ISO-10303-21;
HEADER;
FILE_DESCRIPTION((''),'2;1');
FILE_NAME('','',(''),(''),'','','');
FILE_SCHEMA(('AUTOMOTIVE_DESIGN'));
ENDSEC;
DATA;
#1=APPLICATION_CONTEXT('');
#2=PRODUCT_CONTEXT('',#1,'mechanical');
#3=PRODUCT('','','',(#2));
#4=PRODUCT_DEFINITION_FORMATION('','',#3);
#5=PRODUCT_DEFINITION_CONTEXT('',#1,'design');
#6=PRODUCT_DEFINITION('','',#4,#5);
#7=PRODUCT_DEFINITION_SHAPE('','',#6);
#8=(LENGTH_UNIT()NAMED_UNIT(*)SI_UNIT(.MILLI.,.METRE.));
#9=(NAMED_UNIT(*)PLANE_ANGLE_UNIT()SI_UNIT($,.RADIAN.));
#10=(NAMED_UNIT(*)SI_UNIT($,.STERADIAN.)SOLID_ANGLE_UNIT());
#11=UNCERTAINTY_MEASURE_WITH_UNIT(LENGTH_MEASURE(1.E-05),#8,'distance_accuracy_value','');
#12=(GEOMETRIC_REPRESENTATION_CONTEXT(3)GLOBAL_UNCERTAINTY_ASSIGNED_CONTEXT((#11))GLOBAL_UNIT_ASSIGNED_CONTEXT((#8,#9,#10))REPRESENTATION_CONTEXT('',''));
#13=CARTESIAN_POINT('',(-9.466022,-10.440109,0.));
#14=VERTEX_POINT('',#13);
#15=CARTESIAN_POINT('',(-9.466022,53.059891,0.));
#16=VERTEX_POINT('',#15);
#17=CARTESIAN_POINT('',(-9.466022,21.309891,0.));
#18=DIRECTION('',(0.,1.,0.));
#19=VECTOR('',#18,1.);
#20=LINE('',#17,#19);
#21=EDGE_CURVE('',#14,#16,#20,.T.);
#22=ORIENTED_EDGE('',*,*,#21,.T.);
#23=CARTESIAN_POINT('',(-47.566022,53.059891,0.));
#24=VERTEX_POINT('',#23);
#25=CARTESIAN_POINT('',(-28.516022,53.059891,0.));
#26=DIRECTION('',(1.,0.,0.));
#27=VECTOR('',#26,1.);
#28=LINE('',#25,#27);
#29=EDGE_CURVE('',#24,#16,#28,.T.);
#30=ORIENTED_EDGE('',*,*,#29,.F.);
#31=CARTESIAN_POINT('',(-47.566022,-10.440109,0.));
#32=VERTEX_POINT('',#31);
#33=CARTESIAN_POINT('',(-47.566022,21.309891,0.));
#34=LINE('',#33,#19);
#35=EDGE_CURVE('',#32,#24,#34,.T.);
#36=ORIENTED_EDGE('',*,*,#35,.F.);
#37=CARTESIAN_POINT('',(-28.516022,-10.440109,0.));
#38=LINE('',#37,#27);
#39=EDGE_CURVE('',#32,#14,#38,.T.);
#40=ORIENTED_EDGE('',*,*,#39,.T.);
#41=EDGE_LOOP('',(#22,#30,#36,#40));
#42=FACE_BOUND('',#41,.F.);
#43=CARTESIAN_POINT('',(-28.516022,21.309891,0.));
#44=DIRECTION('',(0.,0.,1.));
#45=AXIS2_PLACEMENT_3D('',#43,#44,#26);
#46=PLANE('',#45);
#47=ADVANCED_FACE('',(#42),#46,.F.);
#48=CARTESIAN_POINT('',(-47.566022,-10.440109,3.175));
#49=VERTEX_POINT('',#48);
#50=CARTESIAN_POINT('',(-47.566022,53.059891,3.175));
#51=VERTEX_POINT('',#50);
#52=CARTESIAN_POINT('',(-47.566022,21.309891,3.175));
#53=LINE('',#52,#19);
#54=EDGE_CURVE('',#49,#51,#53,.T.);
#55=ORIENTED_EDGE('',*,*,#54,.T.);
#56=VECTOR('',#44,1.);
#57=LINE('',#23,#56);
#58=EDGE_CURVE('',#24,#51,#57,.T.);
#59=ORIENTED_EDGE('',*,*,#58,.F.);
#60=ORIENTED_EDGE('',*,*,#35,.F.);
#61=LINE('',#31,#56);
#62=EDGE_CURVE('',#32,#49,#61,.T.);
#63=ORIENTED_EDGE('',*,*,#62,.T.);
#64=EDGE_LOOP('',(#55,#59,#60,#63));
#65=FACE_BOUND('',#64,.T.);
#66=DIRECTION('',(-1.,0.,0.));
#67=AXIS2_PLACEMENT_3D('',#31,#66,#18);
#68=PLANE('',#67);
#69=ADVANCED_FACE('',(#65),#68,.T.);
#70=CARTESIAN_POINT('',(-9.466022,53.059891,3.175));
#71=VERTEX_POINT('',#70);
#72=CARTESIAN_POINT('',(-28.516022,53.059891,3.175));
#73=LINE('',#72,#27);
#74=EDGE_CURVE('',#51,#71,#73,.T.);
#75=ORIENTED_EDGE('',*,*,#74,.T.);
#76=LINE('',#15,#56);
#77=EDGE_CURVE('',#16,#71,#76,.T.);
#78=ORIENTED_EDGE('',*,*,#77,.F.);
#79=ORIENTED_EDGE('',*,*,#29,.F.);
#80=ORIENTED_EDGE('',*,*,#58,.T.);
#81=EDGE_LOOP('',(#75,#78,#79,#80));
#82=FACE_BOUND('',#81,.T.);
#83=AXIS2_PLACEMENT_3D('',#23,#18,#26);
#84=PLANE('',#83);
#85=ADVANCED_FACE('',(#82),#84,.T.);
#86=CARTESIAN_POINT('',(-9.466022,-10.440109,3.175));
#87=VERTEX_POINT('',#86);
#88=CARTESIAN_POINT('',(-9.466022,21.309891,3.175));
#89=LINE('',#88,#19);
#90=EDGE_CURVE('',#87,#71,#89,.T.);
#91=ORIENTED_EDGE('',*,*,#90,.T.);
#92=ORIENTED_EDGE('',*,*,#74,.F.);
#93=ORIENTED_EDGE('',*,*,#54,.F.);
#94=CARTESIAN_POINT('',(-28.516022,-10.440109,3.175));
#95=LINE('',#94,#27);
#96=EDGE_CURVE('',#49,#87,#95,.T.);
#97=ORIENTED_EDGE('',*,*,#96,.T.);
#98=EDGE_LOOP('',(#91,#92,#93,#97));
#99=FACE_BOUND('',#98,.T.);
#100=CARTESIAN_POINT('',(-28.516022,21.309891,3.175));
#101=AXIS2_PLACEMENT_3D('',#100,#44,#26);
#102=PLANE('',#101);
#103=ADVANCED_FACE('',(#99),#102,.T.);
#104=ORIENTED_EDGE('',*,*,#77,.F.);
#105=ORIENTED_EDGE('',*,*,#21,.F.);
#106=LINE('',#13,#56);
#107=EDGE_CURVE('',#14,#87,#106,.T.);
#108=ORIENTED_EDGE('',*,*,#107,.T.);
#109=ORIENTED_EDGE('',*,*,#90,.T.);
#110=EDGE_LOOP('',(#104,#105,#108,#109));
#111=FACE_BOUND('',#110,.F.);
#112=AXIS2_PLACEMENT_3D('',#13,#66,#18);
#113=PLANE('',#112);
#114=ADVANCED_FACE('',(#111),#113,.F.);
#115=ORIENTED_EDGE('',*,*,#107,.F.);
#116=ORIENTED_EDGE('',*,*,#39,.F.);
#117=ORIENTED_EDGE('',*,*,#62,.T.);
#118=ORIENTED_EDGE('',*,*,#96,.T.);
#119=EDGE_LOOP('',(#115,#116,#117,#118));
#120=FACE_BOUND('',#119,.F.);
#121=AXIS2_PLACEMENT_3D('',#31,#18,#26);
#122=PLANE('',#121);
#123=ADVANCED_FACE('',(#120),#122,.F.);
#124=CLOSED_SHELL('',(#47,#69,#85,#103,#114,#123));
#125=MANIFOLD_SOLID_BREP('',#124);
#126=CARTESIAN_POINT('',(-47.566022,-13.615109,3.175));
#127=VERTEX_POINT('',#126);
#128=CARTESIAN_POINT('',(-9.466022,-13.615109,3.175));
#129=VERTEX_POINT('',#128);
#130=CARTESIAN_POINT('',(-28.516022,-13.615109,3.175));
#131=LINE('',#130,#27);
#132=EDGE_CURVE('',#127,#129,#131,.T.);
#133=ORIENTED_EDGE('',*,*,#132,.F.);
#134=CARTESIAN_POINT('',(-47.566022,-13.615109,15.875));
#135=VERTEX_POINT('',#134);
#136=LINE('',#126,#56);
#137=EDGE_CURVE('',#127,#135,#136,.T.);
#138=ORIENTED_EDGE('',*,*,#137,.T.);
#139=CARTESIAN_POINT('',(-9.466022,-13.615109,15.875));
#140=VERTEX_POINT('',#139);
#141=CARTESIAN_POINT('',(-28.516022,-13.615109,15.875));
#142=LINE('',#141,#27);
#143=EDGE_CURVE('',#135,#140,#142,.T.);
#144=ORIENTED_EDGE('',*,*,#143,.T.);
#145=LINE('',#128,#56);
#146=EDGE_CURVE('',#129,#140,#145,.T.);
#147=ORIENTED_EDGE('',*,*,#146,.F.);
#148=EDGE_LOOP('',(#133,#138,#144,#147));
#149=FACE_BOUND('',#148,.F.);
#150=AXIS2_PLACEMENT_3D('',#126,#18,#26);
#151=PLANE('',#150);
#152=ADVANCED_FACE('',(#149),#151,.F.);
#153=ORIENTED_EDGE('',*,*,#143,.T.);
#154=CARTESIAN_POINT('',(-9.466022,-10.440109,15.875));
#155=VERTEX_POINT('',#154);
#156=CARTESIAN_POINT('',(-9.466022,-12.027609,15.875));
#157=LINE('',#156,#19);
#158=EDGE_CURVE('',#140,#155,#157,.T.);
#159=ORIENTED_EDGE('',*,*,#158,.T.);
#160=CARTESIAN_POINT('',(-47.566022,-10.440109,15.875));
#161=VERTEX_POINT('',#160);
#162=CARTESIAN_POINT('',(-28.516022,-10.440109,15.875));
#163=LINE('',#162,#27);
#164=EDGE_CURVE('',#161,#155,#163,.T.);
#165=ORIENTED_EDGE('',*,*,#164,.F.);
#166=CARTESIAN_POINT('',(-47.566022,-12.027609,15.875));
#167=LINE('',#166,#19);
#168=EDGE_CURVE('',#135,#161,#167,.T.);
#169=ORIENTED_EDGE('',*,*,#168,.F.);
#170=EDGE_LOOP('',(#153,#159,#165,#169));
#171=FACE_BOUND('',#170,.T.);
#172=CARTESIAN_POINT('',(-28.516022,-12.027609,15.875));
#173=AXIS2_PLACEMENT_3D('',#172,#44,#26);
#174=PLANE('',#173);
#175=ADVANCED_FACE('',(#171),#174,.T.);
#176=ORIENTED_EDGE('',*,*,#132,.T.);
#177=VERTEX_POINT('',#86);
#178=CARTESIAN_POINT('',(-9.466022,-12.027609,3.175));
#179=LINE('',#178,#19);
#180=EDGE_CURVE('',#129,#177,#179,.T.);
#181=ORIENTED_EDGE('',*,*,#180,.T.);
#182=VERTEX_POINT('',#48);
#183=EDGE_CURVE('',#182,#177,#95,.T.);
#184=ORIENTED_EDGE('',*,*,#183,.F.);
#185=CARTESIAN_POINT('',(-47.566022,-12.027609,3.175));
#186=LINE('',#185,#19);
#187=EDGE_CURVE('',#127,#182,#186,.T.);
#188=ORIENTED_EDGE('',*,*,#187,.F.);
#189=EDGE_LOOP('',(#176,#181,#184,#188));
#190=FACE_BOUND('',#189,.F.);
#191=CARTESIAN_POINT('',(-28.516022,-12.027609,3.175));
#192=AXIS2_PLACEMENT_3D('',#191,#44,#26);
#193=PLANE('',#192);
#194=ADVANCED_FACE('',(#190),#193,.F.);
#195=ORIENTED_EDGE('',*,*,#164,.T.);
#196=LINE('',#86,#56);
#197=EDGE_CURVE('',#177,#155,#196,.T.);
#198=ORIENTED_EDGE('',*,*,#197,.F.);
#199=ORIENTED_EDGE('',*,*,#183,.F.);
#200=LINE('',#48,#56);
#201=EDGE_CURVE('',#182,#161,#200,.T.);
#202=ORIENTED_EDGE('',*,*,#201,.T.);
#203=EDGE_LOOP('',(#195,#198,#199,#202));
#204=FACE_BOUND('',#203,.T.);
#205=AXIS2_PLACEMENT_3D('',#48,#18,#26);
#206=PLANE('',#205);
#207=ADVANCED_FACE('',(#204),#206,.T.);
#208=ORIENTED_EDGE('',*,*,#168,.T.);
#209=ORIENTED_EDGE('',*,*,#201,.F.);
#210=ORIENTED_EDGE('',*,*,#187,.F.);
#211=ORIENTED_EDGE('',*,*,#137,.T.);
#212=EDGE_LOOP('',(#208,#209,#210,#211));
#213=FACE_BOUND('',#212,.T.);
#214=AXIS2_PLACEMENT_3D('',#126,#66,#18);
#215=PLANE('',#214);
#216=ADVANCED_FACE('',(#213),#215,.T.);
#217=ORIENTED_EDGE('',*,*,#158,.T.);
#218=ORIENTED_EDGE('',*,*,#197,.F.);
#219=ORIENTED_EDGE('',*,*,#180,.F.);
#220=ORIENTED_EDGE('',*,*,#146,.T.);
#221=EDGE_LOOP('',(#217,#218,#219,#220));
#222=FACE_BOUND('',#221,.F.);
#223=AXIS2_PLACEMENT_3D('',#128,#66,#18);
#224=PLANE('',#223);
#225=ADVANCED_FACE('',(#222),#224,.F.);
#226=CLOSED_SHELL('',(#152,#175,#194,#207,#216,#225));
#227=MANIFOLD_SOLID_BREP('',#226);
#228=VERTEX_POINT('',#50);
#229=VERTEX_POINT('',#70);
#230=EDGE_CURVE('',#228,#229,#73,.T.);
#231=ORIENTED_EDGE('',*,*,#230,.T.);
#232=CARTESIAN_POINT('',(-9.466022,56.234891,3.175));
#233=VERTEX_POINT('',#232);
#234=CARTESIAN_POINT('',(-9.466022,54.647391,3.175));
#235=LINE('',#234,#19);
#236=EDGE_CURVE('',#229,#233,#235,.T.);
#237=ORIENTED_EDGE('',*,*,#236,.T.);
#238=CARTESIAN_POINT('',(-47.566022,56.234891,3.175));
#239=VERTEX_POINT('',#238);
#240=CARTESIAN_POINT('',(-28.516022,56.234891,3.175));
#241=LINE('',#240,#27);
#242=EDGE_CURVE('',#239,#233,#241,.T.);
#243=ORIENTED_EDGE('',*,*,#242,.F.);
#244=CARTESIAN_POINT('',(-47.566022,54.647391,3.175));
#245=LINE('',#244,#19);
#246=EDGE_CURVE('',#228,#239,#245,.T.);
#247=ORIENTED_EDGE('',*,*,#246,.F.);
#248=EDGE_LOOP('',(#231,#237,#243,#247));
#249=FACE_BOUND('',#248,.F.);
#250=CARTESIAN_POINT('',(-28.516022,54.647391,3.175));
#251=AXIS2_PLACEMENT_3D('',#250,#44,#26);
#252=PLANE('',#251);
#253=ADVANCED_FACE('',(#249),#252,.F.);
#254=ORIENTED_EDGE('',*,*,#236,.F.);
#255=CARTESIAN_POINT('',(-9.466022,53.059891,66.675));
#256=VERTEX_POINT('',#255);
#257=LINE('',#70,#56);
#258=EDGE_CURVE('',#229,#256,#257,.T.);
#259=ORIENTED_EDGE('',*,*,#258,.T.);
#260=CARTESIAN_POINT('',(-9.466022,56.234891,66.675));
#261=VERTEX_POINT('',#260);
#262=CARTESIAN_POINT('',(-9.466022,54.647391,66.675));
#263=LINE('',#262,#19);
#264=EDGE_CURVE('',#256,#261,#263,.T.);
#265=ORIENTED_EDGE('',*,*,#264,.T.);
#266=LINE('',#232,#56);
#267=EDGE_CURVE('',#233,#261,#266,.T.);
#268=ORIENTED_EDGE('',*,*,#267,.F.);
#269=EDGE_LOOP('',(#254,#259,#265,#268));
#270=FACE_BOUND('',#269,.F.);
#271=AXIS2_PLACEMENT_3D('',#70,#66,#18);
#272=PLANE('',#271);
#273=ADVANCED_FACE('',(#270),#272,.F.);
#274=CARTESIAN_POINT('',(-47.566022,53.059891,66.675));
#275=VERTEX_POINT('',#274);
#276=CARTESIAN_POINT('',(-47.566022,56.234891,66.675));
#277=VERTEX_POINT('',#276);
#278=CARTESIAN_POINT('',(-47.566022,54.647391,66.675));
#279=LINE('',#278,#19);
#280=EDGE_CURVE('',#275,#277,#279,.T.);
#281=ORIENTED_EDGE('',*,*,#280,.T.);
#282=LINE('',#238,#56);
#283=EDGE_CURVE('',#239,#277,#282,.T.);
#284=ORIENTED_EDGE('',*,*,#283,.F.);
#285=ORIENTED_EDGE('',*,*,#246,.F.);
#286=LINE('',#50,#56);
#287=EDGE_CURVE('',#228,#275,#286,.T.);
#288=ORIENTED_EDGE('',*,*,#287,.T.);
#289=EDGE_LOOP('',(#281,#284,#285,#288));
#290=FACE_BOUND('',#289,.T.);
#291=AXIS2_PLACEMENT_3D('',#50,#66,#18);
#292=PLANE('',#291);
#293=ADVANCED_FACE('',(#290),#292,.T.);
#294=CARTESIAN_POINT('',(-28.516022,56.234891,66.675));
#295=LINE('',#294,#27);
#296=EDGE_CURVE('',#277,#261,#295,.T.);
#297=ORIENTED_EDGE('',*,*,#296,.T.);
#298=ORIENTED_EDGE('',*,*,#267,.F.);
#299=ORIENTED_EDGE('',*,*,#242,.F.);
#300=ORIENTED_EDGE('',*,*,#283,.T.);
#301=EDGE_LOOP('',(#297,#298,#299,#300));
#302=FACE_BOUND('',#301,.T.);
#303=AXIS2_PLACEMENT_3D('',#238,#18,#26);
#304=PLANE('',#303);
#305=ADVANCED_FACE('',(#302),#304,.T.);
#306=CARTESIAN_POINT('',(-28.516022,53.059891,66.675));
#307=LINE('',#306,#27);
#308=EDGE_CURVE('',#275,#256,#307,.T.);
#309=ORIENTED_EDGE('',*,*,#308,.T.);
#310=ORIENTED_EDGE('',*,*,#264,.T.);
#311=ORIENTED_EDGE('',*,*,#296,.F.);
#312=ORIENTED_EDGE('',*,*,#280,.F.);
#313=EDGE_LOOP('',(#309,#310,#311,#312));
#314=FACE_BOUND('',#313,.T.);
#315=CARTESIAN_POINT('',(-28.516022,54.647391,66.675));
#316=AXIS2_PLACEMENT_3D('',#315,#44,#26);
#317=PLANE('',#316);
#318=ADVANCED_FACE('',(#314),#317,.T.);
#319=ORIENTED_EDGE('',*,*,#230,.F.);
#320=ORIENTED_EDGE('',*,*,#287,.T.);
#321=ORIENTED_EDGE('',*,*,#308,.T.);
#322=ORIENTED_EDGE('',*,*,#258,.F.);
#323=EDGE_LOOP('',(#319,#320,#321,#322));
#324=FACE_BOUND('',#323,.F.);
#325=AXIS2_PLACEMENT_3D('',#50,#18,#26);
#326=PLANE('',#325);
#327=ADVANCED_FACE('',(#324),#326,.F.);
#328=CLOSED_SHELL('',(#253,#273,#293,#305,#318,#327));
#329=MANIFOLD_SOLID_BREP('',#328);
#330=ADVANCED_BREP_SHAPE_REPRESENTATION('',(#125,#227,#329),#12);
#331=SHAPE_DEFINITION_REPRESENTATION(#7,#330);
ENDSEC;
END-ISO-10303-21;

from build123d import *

# Parameters (mm, degrees)
F0_W     = 38.1
F0_H     = 63.5
F1_DEPTH = 3.175
F2_W     = 38.1
F2_H     = 3.175
F3_DEPTH = 63.5
F4_W     = 38.1
F4_H     = 3.175
F5_DEPTH = 12.7


with BuildPart() as f1:
    # F0 (on Top) → F1 (new body)
    with BuildSketch(Plane.XY):
        with Locations((-28.516022, 21.309891)):
            Rectangle(F0_W, F0_H)
    extrude(amount=F1_DEPTH)


with BuildPart() as f3:
    # F2 (on face) → F3 (new body)
    with BuildSketch(Plane.XY.offset(3.175)):
        with Locations((-28.516022, 54.647391)):
            Rectangle(F2_W, F2_H)
    extrude(amount=F3_DEPTH)


with BuildPart() as f5:
    # F4 (on face) → F5 (new body)
    with BuildSketch(Plane.XY.offset(3.175)):
        with Locations((-28.516022, -12.027609)):
            Rectangle(F4_W, F4_H)
    extrude(amount=F5_DEPTH)


solid = Compound([f1.part, f3.part, f5.part])
